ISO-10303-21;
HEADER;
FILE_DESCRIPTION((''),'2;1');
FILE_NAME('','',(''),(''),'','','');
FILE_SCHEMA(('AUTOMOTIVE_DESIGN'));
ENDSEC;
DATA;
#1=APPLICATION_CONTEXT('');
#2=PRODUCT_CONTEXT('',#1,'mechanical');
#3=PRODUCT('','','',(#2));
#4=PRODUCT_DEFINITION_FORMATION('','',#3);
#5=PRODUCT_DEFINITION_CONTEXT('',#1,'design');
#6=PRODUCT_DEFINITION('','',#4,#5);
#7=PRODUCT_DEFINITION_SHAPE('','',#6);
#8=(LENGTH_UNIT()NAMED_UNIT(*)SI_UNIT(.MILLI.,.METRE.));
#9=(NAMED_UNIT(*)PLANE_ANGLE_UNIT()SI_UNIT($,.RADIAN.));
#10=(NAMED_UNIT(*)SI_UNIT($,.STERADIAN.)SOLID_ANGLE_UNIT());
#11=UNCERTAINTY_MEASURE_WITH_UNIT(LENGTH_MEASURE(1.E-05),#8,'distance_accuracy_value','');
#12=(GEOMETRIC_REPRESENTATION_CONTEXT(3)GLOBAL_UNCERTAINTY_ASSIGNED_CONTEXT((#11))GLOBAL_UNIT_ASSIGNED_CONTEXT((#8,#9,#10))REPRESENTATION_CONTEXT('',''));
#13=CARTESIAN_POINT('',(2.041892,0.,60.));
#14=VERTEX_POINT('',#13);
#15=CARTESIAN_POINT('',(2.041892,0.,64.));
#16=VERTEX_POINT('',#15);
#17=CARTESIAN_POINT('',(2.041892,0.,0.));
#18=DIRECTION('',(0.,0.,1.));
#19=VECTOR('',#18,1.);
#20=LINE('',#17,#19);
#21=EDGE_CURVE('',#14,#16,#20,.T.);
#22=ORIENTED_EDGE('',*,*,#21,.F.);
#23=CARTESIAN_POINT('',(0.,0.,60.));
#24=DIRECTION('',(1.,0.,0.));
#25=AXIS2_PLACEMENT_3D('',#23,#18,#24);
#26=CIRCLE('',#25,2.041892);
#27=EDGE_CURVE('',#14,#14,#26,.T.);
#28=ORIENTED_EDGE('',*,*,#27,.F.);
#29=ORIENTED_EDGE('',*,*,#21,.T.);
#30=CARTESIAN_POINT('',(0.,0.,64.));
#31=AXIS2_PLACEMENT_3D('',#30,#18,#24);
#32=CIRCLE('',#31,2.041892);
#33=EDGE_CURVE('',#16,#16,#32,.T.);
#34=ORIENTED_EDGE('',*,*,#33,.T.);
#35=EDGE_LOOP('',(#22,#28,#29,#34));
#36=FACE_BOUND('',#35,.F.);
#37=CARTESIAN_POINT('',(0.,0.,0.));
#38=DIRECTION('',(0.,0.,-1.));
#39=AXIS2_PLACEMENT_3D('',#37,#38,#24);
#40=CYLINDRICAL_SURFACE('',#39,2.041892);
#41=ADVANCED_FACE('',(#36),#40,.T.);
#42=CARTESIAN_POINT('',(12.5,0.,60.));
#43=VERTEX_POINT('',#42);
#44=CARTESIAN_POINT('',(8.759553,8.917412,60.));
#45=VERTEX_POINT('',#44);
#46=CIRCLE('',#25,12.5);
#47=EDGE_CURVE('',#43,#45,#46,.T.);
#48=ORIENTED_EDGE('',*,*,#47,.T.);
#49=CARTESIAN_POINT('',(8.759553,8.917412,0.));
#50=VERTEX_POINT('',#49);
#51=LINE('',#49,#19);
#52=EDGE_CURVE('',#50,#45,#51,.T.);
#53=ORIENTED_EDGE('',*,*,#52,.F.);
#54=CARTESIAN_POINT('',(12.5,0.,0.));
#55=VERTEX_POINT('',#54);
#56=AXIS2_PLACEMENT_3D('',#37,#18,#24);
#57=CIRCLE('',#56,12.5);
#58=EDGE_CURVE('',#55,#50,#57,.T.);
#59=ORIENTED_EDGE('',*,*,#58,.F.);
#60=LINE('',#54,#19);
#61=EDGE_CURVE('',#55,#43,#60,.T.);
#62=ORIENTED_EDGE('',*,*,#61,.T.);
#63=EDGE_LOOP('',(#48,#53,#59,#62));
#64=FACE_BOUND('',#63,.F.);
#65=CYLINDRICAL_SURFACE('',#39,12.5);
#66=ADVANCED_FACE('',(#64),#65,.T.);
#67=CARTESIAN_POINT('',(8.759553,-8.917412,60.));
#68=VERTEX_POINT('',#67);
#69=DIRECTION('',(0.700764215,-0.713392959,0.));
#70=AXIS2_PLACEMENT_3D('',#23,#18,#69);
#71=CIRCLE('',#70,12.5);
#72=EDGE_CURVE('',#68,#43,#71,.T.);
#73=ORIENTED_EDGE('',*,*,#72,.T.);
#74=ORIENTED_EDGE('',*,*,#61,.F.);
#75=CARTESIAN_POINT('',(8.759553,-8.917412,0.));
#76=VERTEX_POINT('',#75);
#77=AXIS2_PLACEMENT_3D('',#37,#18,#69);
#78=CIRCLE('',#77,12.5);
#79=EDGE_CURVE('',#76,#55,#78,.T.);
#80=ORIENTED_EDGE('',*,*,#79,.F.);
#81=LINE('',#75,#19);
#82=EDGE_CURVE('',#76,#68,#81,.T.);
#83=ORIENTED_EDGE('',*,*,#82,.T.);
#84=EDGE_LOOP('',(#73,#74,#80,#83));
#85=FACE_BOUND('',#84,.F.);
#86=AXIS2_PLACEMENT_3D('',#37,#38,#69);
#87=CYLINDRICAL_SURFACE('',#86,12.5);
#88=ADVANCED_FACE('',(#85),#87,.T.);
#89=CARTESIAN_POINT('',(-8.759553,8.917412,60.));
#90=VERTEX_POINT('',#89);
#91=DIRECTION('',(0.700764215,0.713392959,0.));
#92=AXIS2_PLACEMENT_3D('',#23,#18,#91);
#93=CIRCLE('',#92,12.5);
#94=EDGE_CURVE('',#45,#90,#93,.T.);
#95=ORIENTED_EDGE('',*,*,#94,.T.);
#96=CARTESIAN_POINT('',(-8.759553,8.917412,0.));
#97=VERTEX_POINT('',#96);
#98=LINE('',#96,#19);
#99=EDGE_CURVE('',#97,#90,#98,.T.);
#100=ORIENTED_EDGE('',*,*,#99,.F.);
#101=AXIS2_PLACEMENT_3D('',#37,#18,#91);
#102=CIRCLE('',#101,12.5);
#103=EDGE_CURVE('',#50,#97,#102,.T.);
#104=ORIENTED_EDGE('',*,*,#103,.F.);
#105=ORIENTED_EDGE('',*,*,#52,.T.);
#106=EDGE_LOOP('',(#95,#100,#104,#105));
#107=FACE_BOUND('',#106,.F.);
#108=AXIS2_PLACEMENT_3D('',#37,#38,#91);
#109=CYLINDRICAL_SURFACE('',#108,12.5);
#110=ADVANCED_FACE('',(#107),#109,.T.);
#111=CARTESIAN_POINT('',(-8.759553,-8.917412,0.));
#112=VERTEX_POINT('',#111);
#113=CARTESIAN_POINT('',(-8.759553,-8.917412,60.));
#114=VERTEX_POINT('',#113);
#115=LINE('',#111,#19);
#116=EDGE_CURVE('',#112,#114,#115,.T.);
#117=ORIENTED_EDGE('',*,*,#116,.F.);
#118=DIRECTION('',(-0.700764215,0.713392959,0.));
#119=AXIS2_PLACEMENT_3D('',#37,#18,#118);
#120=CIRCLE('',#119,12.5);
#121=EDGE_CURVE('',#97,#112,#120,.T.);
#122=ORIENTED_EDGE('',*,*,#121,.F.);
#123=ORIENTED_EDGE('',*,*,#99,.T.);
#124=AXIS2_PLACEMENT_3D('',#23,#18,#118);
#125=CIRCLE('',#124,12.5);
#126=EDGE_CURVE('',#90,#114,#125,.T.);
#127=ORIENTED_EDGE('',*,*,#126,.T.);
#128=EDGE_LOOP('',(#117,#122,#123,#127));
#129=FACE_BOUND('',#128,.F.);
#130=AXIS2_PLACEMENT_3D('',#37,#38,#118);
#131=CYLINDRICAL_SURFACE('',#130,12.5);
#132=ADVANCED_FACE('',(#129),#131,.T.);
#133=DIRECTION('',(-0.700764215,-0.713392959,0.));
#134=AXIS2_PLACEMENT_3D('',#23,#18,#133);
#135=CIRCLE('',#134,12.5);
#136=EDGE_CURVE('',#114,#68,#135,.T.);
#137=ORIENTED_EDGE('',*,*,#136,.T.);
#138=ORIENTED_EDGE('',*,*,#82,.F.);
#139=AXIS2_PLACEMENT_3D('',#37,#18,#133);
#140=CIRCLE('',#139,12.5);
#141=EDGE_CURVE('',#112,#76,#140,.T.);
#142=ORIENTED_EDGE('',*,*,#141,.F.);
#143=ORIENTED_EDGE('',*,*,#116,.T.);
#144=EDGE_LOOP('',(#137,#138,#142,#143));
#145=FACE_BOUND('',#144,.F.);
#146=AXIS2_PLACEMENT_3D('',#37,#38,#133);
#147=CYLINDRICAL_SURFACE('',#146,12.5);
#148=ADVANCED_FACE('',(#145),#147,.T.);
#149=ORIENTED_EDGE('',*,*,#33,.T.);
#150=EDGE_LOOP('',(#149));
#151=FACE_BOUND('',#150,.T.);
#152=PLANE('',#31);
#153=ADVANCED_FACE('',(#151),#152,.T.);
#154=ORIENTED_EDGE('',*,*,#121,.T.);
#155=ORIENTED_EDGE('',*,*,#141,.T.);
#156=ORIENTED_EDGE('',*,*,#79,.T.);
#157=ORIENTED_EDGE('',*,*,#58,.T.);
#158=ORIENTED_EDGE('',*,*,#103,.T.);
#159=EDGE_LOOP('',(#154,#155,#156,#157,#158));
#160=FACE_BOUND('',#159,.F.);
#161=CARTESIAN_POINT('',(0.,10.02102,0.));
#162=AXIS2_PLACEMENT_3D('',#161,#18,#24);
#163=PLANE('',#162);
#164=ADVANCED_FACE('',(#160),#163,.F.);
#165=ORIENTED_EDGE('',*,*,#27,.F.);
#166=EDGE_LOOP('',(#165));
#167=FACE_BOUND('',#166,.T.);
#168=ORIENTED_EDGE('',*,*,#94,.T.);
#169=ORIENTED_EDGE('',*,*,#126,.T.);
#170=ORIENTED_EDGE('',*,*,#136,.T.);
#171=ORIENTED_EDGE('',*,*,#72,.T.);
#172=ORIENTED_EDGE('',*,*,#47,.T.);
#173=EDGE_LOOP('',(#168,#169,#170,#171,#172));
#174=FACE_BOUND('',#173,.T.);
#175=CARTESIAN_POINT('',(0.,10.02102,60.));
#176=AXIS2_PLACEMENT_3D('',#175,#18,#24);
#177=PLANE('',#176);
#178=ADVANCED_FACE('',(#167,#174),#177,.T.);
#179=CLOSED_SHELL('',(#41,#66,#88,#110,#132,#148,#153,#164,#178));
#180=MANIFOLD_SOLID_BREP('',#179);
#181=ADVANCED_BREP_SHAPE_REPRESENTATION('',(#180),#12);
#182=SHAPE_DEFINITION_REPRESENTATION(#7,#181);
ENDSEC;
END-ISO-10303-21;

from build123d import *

# Parameters (mm, degrees)
F0_W     = 17.519105383
F0_H     = 17.8348239851
F0_R     = 2.0418919941
F1_DEPTH = 60
F2_DEPTH = 64


with BuildPart() as f1:
    # F0 (on Top) → F1 (new body)
    with BuildSketch(Plane.XY):
        with BuildLine():
            Line((-8.7595526915, 8.9174119926), (8.7595526915, 8.9174119926))
            ThreePointArc((8.7595526915, 8.9174119926), (0, 12.5), (-8.7595526915, 8.9174119926))
        make_face()
        with BuildLine():
            Line((-8.7595526915, -8.9174119926), (-8.7595526915, 8.9174119926))
            ThreePointArc((-8.7595526915, 8.9174119926), (-12.5, 0), (-8.7595526915, -8.9174119926))
        make_face()
        with BuildLine():
            ThreePointArc((-8.7595526915, -8.9174119926), (0, -12.5), (8.7595526915, -8.9174119926))
            Line((8.7595526915, -8.9174119926), (-8.7595526915, -8.9174119926))
        make_face()
        with BuildLine():
            ThreePointArc((8.7595526915, -8.9174119926), (11.5270206177, -4.835059015), (12.5, 0))
            ThreePointArc((12.5, 0), (11.5270206177, 4.835059015), (8.7595526915, 8.9174119926))
            Line((8.7595526915, 8.9174119926), (8.7595526915, -8.9174119926))
        make_face()
        Rectangle(F0_W, F0_H)
        Circle(F0_R, mode=Mode.SUBTRACT)
    extrude(amount=F1_DEPTH)

    # F0 (on Top) → F2 (join)
    with BuildSketch(Plane.XY):
        Circle(F0_R)
    extrude(amount=F2_DEPTH)


solid = f1.part
